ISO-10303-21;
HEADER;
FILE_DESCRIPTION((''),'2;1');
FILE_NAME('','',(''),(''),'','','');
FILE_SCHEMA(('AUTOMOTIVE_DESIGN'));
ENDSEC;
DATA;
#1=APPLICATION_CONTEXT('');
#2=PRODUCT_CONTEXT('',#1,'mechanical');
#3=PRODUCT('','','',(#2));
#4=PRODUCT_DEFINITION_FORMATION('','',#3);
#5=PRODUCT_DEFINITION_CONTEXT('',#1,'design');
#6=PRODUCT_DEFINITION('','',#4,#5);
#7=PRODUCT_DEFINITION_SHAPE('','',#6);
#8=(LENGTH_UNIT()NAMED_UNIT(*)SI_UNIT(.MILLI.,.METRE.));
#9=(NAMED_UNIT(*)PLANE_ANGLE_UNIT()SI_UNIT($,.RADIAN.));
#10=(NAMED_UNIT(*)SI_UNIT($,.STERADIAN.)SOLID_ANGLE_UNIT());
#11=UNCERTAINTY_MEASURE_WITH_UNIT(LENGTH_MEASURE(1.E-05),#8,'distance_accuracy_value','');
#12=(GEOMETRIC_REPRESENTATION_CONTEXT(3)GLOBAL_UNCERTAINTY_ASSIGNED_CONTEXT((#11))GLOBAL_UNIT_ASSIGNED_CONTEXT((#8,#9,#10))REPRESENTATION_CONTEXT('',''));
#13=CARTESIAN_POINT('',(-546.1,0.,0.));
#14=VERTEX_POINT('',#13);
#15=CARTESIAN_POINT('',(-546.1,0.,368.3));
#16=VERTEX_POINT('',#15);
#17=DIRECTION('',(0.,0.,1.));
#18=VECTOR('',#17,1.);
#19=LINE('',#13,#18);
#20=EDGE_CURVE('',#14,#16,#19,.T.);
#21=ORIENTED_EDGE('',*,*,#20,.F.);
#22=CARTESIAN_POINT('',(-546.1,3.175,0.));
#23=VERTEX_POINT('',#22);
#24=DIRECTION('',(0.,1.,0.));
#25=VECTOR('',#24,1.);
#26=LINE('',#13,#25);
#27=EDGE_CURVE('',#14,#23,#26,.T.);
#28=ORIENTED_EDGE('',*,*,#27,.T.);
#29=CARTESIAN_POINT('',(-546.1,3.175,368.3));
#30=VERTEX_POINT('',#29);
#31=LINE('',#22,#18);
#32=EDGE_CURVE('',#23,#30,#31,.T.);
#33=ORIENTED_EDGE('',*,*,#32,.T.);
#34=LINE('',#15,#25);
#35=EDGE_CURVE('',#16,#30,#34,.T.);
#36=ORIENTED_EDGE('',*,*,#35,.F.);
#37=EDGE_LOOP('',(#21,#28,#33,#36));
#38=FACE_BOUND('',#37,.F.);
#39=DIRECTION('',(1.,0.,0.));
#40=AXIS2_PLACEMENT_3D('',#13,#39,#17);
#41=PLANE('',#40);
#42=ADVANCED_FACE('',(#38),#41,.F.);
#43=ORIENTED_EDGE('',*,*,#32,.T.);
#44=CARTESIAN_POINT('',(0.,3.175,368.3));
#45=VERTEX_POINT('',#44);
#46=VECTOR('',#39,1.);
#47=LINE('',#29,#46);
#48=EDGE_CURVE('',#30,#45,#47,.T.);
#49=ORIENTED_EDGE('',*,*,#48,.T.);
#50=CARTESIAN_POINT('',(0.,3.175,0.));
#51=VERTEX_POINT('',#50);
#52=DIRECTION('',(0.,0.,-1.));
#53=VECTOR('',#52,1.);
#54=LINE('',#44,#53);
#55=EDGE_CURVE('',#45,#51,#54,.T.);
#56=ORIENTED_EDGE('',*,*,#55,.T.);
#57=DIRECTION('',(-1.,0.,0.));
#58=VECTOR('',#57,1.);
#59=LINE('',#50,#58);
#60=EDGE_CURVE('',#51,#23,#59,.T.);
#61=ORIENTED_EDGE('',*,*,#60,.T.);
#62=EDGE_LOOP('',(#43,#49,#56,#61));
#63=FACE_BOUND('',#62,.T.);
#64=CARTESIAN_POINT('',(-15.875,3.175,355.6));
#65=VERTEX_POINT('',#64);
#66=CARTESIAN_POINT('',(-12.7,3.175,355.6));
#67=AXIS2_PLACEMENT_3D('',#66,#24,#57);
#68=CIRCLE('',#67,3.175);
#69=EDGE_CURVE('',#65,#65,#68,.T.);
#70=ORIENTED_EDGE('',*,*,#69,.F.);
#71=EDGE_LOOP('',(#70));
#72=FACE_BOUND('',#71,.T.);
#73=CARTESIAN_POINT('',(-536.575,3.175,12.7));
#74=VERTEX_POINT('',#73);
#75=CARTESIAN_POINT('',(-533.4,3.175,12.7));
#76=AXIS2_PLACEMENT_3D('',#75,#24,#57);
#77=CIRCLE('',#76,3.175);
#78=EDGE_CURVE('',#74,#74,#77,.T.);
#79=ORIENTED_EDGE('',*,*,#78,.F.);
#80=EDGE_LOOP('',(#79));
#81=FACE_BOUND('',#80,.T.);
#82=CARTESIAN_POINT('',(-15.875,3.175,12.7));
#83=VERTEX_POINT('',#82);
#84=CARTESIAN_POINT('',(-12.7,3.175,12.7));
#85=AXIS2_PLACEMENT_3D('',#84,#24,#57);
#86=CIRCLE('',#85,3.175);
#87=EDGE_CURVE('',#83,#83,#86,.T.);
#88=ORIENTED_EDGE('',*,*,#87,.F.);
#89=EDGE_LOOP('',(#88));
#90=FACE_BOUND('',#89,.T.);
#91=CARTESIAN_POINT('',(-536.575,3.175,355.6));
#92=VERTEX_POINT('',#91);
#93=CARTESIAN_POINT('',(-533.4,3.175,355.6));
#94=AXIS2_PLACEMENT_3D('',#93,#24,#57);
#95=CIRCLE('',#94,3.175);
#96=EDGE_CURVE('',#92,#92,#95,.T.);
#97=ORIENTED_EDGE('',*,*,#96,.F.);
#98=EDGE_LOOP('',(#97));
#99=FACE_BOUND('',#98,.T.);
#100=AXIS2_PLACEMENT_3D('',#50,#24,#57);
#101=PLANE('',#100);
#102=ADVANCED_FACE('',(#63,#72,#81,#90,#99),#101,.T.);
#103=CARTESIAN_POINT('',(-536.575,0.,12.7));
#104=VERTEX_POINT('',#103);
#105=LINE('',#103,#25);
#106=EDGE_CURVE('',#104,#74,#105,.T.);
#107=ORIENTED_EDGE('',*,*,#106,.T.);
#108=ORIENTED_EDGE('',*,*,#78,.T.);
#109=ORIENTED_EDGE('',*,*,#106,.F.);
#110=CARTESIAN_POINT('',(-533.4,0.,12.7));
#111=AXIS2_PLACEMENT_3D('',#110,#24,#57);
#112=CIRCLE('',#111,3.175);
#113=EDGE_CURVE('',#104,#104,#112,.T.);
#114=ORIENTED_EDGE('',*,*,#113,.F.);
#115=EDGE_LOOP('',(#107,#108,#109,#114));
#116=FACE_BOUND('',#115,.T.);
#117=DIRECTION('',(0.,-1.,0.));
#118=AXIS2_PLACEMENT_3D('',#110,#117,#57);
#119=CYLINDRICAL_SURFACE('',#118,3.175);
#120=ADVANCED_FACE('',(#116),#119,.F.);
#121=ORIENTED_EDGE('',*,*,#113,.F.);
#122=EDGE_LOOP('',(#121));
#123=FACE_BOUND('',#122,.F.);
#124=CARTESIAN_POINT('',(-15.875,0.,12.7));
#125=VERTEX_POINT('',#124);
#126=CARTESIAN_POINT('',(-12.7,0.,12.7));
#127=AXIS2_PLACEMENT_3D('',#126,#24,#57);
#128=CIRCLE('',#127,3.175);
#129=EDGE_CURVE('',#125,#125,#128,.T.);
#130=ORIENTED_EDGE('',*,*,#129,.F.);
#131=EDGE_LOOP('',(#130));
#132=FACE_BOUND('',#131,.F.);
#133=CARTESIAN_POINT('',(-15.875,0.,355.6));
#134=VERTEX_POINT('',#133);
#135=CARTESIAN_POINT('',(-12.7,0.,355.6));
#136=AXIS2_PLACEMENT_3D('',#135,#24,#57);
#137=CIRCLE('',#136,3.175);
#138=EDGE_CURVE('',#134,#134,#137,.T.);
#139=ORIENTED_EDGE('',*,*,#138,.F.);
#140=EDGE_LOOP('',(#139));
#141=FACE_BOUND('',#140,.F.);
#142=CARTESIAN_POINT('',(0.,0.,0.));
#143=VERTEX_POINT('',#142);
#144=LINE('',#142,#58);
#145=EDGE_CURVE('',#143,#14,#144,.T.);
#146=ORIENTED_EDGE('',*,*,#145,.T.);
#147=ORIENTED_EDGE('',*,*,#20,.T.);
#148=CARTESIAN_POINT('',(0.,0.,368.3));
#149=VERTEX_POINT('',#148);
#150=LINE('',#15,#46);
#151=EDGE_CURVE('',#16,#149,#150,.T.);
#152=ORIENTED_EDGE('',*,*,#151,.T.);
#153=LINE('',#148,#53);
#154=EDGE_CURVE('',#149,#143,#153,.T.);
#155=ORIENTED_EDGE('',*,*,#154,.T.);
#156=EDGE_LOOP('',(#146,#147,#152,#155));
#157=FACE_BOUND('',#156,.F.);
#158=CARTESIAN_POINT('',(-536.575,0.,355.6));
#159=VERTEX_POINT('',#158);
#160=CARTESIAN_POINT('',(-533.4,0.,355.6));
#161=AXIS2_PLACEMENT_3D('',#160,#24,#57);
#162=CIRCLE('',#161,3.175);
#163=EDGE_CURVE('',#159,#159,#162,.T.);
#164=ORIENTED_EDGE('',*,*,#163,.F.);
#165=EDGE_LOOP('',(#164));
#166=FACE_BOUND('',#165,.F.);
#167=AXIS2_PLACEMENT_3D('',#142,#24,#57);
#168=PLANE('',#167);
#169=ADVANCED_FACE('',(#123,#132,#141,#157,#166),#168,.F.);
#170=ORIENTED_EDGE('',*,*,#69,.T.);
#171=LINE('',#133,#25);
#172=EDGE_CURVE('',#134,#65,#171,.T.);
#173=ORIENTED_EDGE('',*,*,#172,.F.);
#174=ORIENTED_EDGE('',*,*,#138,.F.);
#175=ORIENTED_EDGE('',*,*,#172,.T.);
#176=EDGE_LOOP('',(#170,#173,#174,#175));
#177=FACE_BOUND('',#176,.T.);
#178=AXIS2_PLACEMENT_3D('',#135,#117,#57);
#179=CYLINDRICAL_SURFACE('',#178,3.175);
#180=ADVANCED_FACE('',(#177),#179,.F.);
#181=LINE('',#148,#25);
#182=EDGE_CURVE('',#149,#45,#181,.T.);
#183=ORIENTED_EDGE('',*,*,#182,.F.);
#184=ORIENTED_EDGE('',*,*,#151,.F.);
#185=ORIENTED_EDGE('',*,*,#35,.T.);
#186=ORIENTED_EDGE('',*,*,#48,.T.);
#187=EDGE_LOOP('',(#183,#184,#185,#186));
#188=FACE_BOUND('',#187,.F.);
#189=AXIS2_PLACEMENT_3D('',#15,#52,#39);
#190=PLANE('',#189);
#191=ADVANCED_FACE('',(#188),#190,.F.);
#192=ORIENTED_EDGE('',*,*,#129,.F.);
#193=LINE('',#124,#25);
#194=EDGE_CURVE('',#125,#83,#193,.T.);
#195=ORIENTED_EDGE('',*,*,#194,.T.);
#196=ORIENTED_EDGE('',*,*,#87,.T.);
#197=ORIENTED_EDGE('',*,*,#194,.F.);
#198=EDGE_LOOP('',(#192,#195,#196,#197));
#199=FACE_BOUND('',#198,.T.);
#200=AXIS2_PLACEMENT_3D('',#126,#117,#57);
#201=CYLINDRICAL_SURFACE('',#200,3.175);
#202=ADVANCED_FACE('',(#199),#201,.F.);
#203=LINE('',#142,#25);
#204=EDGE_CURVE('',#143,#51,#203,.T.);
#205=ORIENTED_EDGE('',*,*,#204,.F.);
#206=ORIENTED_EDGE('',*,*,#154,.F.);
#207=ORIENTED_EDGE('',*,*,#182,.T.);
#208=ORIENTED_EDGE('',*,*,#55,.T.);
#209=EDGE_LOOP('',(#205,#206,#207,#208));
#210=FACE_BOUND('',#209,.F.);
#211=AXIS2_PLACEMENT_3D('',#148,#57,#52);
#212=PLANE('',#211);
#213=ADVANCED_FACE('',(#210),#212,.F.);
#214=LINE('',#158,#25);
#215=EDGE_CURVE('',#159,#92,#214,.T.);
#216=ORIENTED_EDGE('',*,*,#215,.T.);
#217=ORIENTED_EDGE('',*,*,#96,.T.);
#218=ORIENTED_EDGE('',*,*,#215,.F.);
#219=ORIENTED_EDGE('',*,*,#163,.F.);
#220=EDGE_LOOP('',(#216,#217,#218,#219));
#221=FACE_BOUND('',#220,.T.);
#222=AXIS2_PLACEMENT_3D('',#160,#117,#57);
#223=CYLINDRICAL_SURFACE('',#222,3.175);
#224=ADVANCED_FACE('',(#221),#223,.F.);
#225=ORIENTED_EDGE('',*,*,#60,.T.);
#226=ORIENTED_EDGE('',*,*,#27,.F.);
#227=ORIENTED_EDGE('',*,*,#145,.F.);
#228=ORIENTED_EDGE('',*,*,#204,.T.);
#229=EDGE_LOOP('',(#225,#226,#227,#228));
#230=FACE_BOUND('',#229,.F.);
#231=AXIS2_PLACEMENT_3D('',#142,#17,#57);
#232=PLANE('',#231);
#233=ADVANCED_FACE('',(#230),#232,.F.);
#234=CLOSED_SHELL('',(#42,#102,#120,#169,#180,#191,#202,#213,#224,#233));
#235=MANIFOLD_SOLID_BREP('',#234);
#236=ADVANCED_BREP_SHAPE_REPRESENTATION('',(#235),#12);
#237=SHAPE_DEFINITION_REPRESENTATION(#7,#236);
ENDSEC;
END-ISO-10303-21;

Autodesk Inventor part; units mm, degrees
ref_plane "YZ Plane" through (0, 0, 0) normal (1, 0, 0) x (0, 1, 0)
ref_plane "XZ Plane" through (0, 0, 0) normal (0, 1, 0) x (-1, 0, 0)
ref_plane "XY Plane" through (0, 0, 0) normal (0, 0, 1) x (1, 0, 0)
sketch "Sketch1" plane through (0, 0, 0) normal (0, 1, 0) x (-1, 0, 0)
  line L0 (0, 0) -> (546.1, 0)
  line L1 (546.1, 0) -> (546.1, 368.3)
  line L2 (546.1, 368.3) -> (0, 368.3)
  line L3 (0, 368.3) -> (0, 0)
  circle A0 centre (12.7, 12.7) radius 3.175
  circle A1 centre (12.7, 355.6) radius 3.175
  circle A2 centre (533.4, 355.6) radius 3.175
  circle A3 centre (533.4, 12.7) radius 3.175
  dimension "d0" = 546.1
  dimension "d1" = 368.3
  dimension "d2" = 12.7
  dimension "d3" = 12.7
  dimension "d4" = 12.7
  dimension "d5" = 12.7
  dimension "d6" = 12.7
  dimension "d7" = 12.7
  dimension "d8" = 12.7
  dimension "d9" = 12.7
  dimension "d15" = 6.35
  dimension "d16" = 6.35
  dimension "d17" = 6.35
  dimension "d19" = 6.35
extrude "Extrusion3" add sketch "Sketch1" along normal blind 3.175
properties part number "polycarb sheet" material "Polycarbonate, Clear"
